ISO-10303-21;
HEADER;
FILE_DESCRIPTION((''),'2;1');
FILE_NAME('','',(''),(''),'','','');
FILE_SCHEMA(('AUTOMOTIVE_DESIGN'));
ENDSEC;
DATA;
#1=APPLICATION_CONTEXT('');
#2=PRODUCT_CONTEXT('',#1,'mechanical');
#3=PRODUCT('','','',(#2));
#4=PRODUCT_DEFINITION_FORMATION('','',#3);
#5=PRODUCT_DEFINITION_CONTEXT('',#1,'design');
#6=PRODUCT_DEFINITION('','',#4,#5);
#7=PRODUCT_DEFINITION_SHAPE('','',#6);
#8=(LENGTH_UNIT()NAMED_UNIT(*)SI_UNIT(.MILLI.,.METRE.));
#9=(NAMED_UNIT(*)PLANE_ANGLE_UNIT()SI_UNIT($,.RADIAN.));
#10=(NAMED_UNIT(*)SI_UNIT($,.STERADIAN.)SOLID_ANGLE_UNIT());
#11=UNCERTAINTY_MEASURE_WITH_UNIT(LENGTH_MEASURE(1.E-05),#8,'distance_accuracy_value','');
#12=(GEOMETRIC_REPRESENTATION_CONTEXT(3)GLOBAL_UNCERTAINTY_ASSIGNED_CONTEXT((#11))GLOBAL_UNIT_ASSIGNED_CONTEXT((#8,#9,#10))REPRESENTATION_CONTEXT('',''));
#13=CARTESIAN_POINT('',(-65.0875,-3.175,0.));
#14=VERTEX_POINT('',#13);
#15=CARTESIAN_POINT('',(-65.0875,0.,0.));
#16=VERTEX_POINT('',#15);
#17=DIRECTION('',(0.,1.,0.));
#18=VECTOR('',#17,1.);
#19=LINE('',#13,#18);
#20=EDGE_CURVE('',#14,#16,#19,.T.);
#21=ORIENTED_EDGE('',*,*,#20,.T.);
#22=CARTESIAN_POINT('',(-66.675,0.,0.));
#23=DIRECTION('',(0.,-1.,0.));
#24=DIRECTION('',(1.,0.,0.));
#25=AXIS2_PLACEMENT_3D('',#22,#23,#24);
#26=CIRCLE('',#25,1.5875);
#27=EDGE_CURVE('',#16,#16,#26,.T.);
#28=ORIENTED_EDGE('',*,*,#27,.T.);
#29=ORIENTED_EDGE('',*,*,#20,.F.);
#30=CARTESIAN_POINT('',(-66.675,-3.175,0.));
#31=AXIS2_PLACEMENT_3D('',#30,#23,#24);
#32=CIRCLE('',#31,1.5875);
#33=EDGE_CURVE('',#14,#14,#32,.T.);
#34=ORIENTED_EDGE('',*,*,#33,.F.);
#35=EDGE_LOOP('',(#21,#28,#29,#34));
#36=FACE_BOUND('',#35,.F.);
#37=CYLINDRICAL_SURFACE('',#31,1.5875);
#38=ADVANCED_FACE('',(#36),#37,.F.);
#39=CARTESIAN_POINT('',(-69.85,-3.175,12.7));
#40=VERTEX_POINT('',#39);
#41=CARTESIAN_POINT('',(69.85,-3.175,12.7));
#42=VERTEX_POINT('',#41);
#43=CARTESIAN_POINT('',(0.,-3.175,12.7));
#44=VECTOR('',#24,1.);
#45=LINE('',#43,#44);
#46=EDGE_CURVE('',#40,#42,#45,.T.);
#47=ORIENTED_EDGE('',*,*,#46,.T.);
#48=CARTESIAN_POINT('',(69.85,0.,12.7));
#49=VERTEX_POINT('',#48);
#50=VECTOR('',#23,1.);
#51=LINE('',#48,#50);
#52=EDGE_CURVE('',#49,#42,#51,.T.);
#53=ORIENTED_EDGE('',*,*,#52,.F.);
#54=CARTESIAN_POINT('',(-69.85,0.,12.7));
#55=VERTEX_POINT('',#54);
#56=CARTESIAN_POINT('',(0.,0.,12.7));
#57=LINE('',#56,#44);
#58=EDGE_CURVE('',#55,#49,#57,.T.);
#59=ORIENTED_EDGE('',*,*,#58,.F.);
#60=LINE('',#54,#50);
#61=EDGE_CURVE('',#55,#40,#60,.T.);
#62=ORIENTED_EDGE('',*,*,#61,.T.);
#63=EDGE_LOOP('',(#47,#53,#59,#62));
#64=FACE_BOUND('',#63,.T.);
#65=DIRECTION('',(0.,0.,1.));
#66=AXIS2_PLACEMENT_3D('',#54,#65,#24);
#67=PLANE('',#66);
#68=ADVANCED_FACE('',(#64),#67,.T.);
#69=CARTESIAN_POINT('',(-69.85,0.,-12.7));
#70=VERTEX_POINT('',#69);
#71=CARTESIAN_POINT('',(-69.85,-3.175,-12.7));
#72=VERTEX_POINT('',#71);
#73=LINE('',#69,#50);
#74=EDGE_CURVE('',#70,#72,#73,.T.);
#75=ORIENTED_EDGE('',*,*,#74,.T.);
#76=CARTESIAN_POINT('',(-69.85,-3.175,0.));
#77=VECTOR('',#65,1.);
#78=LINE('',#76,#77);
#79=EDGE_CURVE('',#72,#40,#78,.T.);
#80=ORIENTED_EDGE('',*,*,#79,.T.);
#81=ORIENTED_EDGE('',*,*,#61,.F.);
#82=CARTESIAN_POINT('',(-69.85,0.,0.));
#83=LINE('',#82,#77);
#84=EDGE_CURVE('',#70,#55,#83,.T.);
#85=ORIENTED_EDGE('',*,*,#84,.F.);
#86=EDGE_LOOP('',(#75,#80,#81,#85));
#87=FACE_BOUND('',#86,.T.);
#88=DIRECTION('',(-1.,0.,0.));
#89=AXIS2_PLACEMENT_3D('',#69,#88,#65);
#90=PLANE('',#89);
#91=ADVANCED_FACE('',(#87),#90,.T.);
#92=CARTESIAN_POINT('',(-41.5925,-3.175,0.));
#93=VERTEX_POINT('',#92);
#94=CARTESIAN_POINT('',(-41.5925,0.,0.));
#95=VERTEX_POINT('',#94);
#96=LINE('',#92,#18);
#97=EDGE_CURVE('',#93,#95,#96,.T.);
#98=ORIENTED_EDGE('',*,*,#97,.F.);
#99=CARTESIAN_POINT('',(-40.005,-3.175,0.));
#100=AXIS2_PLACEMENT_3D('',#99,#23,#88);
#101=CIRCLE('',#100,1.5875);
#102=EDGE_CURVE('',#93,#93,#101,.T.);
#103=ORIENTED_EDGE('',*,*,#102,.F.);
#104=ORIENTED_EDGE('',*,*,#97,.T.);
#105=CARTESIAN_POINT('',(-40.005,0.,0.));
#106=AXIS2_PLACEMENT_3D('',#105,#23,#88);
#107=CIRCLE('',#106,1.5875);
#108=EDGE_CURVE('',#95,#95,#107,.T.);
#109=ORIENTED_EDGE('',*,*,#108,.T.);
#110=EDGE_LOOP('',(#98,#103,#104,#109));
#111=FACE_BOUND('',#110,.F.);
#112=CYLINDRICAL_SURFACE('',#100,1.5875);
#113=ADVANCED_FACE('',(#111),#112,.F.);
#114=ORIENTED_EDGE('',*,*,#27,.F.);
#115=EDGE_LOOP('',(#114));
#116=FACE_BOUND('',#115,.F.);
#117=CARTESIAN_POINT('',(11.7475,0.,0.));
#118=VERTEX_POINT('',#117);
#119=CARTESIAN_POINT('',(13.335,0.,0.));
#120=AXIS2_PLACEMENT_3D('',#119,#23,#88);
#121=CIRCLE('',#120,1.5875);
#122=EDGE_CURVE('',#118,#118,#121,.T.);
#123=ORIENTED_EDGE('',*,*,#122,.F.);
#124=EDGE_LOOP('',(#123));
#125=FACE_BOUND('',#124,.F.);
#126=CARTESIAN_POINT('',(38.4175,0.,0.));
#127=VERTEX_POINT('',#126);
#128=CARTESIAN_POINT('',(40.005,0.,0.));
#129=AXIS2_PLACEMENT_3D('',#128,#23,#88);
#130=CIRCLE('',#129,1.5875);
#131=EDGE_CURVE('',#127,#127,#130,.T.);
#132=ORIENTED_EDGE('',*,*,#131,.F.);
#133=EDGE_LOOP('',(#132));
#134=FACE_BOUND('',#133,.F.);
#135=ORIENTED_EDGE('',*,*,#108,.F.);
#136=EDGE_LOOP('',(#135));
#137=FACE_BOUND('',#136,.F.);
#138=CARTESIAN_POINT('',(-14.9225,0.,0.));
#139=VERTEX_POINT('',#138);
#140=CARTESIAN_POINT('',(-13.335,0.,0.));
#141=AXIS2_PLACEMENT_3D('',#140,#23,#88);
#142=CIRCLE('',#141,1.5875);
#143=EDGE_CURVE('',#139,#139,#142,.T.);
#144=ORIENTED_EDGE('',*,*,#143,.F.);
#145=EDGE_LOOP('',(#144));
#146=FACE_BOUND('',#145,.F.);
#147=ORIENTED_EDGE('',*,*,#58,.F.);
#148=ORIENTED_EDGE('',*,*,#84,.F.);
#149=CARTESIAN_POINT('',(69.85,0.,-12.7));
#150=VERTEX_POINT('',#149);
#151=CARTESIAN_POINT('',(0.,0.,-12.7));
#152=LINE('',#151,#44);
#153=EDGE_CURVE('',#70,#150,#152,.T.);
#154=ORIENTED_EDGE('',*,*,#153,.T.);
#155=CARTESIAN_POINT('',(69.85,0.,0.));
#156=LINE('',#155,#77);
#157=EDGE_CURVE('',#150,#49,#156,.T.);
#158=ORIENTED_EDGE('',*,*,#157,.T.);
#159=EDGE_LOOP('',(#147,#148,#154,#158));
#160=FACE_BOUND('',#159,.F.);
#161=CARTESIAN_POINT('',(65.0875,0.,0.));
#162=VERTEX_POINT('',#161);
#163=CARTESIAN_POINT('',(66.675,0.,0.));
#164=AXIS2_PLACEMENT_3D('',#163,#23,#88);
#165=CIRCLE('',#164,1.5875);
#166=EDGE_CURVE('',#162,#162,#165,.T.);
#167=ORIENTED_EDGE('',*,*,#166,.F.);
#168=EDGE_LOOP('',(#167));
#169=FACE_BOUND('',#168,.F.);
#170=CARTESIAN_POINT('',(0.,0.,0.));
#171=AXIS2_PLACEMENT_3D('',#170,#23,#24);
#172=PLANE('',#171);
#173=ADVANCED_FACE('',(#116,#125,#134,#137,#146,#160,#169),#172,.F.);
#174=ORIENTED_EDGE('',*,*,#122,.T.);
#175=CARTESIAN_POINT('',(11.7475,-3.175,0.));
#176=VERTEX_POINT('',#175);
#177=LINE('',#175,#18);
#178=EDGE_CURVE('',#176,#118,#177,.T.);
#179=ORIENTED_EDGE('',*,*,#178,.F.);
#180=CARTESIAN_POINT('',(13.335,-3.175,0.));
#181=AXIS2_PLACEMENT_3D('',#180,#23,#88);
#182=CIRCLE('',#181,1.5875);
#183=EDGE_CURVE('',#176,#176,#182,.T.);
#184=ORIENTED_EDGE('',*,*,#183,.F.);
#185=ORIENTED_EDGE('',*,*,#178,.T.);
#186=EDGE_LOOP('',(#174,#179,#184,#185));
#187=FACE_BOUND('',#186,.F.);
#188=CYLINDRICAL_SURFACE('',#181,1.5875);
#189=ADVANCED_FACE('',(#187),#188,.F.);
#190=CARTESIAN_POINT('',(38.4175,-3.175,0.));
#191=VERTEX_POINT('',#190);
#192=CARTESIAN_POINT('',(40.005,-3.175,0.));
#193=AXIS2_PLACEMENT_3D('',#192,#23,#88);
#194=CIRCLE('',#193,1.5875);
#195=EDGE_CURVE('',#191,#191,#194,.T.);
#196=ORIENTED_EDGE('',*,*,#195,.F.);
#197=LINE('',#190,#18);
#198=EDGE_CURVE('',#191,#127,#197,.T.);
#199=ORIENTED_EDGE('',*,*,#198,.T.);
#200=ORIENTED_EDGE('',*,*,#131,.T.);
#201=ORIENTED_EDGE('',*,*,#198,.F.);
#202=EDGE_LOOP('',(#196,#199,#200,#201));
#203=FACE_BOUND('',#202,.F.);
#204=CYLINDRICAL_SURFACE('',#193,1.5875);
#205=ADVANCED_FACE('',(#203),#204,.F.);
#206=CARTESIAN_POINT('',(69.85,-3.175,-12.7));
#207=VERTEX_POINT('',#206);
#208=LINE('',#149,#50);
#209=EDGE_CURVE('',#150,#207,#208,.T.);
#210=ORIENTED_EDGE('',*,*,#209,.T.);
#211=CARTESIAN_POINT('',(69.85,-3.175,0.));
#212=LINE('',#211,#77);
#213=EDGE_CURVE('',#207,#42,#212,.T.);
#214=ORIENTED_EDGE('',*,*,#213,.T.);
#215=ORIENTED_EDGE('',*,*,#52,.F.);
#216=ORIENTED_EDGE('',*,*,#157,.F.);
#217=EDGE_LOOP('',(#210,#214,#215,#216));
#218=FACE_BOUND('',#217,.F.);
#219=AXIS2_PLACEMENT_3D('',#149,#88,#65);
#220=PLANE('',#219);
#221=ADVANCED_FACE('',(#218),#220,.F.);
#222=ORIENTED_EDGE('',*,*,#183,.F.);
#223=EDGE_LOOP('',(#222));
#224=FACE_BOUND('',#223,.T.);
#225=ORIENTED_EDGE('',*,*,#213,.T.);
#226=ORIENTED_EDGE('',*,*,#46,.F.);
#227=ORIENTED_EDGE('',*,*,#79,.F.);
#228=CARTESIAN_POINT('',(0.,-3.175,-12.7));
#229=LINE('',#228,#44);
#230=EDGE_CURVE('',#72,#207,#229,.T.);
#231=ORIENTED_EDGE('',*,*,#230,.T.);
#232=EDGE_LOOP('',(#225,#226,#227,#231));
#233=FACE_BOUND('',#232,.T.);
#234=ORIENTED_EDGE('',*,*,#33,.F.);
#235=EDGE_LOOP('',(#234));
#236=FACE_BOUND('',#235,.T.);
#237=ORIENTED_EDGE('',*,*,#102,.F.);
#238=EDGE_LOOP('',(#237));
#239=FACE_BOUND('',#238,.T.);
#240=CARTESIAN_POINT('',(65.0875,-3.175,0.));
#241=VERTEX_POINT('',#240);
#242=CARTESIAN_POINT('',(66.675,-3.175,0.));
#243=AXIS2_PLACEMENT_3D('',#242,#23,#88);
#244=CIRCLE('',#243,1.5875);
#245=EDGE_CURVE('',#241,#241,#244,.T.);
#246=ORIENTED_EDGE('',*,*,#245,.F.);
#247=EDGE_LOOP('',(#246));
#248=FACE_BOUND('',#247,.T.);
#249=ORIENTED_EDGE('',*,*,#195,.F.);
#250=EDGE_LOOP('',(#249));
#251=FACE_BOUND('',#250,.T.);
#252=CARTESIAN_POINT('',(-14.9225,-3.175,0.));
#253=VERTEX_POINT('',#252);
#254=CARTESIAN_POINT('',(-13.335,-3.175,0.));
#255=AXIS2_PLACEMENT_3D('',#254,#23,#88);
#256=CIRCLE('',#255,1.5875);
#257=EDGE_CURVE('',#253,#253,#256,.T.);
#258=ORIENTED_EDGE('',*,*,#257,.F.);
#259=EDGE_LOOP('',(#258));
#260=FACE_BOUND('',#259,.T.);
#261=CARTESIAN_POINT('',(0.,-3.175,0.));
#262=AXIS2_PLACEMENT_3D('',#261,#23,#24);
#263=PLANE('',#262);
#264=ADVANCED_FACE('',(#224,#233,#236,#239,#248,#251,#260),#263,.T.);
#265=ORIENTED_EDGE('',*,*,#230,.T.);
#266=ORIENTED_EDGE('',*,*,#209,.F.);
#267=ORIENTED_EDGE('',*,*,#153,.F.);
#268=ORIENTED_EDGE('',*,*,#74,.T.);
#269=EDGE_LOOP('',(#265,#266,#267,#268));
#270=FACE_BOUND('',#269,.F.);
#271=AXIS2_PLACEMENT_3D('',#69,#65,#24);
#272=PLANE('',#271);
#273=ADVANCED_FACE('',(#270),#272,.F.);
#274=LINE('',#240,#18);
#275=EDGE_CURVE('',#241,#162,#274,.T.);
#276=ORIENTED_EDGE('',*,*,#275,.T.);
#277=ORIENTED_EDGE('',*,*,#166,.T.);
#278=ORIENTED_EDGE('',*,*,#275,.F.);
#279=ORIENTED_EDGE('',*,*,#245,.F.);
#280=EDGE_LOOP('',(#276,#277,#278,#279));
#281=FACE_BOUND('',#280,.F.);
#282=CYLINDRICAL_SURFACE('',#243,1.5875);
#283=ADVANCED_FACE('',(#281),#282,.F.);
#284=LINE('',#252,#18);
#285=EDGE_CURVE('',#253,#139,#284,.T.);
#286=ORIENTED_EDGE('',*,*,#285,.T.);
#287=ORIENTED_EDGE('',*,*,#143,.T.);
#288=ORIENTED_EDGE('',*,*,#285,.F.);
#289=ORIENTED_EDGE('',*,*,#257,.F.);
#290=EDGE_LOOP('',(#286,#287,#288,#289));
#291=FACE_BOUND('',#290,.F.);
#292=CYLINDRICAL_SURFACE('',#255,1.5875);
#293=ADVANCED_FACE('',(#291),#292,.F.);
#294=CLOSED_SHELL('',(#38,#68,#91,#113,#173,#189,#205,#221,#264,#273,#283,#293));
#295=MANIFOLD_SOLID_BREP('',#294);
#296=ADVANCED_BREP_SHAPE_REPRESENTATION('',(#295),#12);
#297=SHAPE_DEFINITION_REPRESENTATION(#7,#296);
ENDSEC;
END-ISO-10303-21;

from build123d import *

# Parameters (mm, degrees)
F0_W     = 139.7
F0_H     = 25.4
F1_DEPTH = 3.175
F3_DEPTH = 25.4


with BuildPart() as f1:
    # F0 (on Front) → F1 (new body)
    with BuildSketch(Plane.XZ):
        Rectangle(F0_W, F0_H)
    extrude(amount=F1_DEPTH)

    # F2 (on face) → F3 (cut)
    with BuildSketch(Plane.XZ.offset(3.175)):
        with BuildLine():
            Line((-40.005, 0), (-38.4175, 0))
            ThreePointArc((-38.4175, 0), (-40.005, 1.5875), (-41.5925, 0))
            Line((-41.5925, 0), (-40.005, 0))
        make_face()
        with BuildLine():
            ThreePointArc((-68.2625, 0), (-66.675, -1.5875), (-65.0875, 0))
            Line((-65.0875, 0), (-66.675, 0))
            Line((-66.675, 0), (-68.2625, 0))
        make_face()
        with BuildLine():
            Line((-66.675, 0), (-65.0875, 0))
            ThreePointArc((-65.0875, 0), (-66.675, 1.5875), (-68.2625, 0))
            Line((-68.2625, 0), (-66.675, 0))
        make_face()
        with BuildLine():
            ThreePointArc((-41.5925, 0), (-40.005, -1.5875), (-38.4175, 0))
            Line((-38.4175, 0), (-40.005, 0))
            Line((-40.005, 0), (-41.5925, 0))
        make_face()
        with BuildLine():
            ThreePointArc((68.2625, 0), (66.675, 1.5875), (65.0875, 0))
            Line((65.0875, 0), (66.675, 0))
            Line((66.675, 0), (68.2625, 0))
        make_face()
        with BuildLine():
            Line((66.675, 0), (65.0875, 0))
            ThreePointArc((65.0875, 0), (66.675, -1.5875), (68.2625, 0))
            Line((68.2625, 0), (66.675, 0))
        make_face()
        with BuildLine():
            ThreePointArc((41.5925, 0), (40.005, 1.5875), (38.4175, 0))
            Line((38.4175, 0), (40.005, 0))
            Line((40.005, 0), (41.5925, 0))
        make_face()
        with BuildLine():
            Line((40.005, 0), (38.4175, 0))
            ThreePointArc((38.4175, 0), (40.005, -1.5875), (41.5925, 0))
            Line((41.5925, 0), (40.005, 0))
        make_face()
        with BuildLine():
            ThreePointArc((14.9225, 0), (13.335, 1.5875), (11.7475, 0))
            Line((11.7475, 0), (13.335, 0))
            Line((13.335, 0), (14.9225, 0))
        make_face()
        with BuildLine():
            Line((13.335, 0), (11.7475, 0))
            ThreePointArc((11.7475, 0), (13.335, -1.5875), (14.9225, 0))
            Line((14.9225, 0), (13.335, 0))
        make_face()
        with BuildLine():
            ThreePointArc((-11.7475, 0), (-13.335, 1.5875), (-14.9225, 0))
            Line((-14.9225, 0), (-13.335, 0))
            Line((-13.335, 0), (-11.7475, 0))
        make_face()
        with BuildLine():
            Line((-13.335, 0), (-14.9225, 0))
            ThreePointArc((-14.9225, 0), (-13.335, -1.5875), (-11.7475, 0))
            Line((-11.7475, 0), (-13.335, 0))
        make_face()
    extrude(amount=-F3_DEPTH, mode=Mode.SUBTRACT)


solid = f1.part
